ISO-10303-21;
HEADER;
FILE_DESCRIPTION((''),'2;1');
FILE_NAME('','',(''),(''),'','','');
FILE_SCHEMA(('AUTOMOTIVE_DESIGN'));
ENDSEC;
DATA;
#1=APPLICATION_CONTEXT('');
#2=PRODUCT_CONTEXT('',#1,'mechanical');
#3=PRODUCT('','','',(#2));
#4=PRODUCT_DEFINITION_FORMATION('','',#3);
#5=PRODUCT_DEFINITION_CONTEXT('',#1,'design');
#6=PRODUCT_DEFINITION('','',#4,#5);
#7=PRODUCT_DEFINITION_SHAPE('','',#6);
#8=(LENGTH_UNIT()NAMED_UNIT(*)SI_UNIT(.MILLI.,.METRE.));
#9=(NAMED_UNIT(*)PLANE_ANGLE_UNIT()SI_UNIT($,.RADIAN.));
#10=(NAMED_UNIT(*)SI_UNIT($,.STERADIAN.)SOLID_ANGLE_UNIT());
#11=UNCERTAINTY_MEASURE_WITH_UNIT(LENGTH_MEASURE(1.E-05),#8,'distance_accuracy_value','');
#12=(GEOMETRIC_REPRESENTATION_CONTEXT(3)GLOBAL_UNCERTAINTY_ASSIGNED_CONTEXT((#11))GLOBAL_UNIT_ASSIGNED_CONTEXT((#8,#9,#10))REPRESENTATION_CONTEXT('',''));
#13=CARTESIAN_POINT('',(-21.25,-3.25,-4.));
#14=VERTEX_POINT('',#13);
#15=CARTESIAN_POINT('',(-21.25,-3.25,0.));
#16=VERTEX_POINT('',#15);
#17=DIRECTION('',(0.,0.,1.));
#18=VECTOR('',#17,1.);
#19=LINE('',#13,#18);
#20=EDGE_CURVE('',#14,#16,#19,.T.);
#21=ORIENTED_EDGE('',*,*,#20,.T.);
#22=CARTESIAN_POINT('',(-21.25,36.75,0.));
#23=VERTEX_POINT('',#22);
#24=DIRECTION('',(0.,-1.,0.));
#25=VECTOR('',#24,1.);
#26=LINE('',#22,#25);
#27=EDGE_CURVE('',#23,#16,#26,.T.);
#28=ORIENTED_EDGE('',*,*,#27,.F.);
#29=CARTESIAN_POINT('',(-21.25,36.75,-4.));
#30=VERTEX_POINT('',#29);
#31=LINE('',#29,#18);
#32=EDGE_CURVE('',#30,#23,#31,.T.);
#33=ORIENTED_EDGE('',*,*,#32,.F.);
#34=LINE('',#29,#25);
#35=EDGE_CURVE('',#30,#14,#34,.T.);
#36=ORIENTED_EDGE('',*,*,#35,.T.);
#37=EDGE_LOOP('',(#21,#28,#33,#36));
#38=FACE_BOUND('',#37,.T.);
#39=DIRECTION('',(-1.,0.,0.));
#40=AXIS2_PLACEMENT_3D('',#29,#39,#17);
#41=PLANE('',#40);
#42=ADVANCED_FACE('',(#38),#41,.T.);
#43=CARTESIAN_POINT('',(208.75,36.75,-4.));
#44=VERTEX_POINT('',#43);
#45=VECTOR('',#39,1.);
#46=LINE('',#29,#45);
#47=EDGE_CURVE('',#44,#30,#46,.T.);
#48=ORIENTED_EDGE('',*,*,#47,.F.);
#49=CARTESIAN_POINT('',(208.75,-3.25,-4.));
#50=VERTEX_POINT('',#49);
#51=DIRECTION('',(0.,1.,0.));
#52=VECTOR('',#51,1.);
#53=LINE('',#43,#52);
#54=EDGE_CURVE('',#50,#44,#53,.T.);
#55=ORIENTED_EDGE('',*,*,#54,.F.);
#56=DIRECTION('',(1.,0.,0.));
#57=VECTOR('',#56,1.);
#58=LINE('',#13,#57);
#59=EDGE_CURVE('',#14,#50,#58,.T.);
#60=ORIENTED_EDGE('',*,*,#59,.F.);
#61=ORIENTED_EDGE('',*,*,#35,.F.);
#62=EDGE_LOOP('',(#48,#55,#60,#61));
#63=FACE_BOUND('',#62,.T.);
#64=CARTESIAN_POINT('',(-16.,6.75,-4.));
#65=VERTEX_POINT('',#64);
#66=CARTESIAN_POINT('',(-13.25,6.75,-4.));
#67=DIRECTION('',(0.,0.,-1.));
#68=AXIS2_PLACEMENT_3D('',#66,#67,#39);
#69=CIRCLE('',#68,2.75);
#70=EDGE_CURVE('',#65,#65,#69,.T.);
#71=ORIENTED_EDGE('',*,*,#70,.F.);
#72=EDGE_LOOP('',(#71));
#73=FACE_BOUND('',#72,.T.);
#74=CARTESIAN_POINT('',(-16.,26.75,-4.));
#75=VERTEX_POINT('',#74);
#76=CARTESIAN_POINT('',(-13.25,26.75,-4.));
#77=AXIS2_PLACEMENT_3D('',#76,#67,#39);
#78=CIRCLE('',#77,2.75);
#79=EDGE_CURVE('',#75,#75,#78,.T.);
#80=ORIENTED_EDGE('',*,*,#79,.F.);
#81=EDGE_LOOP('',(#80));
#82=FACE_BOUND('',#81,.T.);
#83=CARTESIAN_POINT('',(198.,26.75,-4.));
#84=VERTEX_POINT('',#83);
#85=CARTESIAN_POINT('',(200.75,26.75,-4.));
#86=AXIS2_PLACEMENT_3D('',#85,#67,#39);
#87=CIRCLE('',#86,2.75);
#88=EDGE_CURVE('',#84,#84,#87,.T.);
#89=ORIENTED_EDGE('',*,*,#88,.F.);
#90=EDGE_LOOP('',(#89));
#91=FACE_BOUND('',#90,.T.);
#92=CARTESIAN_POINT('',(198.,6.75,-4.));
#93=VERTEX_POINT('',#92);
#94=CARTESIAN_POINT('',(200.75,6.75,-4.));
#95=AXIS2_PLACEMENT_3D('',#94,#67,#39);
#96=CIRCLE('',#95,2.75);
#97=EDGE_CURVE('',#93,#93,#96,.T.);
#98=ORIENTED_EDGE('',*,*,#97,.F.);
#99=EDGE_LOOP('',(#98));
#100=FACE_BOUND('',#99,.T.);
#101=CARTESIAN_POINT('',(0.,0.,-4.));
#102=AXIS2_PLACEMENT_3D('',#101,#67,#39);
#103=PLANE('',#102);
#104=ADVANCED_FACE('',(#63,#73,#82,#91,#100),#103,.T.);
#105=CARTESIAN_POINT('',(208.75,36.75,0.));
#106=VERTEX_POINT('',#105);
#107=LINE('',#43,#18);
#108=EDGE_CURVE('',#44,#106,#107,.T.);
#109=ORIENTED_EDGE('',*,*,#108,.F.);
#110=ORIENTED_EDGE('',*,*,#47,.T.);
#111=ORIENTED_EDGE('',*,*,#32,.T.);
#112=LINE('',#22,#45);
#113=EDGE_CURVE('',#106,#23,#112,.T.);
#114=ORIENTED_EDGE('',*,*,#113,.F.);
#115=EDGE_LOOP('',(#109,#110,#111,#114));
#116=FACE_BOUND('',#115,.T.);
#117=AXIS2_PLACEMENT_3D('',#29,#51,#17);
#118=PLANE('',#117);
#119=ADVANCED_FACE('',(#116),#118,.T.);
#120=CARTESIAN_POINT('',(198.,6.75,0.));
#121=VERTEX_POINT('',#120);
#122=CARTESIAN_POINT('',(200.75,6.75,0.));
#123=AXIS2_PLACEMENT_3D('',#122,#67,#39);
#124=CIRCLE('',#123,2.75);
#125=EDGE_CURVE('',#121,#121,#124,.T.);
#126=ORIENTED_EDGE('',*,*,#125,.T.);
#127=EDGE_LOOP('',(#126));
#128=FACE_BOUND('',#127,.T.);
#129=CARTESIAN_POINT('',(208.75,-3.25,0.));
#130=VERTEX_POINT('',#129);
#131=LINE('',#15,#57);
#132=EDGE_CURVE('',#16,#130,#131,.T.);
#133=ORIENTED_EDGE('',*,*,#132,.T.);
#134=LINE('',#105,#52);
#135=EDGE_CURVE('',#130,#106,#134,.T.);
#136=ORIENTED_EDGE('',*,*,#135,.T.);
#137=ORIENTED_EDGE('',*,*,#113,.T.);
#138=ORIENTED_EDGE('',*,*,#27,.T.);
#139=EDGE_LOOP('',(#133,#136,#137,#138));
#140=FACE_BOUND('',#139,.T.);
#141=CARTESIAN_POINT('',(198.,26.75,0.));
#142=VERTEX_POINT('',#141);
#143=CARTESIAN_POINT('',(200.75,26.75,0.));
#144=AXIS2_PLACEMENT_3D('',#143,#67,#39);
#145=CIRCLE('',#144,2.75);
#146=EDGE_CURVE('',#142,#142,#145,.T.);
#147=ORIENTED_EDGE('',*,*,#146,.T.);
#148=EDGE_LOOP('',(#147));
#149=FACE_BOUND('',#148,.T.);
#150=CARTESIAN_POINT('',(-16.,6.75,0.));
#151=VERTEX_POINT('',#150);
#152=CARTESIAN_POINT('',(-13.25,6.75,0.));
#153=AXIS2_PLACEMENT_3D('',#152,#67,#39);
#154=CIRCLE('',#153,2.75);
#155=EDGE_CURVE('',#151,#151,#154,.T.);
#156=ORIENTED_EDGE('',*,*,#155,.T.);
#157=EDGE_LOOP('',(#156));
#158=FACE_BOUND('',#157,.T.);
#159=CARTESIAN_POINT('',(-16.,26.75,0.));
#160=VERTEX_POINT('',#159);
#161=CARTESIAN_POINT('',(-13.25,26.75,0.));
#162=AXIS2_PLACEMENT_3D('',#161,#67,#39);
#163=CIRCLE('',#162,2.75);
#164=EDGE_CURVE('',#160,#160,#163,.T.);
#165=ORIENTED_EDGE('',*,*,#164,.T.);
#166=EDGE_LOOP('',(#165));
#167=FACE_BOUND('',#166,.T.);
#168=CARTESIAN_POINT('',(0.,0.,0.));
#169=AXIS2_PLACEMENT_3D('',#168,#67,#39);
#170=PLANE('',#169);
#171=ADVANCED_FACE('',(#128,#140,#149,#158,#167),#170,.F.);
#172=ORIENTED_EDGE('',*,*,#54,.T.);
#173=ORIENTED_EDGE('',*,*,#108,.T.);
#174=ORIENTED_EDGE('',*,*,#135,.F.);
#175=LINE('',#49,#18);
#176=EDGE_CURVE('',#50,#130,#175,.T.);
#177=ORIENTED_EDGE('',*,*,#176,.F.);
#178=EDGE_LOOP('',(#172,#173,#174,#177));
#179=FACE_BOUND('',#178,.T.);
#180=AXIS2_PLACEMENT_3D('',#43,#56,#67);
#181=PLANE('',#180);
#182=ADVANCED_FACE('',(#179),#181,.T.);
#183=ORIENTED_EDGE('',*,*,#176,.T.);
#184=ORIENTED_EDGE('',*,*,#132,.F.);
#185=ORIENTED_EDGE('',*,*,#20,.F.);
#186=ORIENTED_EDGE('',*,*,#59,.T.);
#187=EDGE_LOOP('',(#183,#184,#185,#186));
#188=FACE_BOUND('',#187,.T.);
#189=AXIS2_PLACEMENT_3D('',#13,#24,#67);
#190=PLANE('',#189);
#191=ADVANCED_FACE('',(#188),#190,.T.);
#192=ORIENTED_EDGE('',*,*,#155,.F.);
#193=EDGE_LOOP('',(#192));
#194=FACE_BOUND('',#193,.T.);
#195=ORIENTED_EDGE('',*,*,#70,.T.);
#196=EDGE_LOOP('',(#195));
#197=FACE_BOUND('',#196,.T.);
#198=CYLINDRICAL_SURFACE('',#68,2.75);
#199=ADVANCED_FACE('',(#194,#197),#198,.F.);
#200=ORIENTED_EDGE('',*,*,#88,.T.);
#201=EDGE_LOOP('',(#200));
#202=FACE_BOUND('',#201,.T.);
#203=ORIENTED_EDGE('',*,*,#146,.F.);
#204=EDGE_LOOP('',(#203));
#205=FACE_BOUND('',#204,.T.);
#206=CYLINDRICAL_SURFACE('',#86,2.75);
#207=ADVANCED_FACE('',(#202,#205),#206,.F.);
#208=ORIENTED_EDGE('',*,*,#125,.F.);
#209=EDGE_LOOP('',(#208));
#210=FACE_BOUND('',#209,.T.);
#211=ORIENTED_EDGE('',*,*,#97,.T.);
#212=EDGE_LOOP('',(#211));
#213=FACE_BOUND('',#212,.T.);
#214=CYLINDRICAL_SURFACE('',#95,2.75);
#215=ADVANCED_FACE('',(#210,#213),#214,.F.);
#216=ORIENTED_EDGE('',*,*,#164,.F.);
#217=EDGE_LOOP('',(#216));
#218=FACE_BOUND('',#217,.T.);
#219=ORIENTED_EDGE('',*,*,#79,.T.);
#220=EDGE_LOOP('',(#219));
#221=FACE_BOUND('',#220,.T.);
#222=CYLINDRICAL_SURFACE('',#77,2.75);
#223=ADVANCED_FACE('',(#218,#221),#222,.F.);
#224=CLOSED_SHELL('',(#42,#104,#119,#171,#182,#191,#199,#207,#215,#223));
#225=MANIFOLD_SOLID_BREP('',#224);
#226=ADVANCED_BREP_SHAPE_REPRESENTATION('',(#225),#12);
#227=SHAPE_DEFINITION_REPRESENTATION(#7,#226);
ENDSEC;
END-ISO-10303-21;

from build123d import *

# Parameters (mm, degrees)
EXTRUSION_BASE_SKETCH_W      = 230
EXTRUSION_BASE_SKETCH_H      = 40
EXTRUSION_BASE_EXTRUDE_DEPTH = 4
M5_MOUNTING_HOLES_D          = 5.5


with BuildPart() as part:
    # Extrusion Base Sketch → Extrusion Base Extrude (new body)
    with BuildSketch(Plane.XY):
        with Locations((93.75, 16.75)):
            Rectangle(EXTRUSION_BASE_SKETCH_W, EXTRUSION_BASE_SKETCH_H)
    extrude(amount=-EXTRUSION_BASE_EXTRUDE_DEPTH)

    # M5 Mounting Holes (through all)
    with Locations(Plane(origin=(0, 0, -4), x_dir=(-1, 0, 0), z_dir=(0, 0, -1))):
        with Locations((-200.75, 26.75), (-200.75, 6.75), (13.25, 26.75), (13.25, 6.75)):
            Hole(M5_MOUNTING_HOLES_D / 2)


solid = part.part
